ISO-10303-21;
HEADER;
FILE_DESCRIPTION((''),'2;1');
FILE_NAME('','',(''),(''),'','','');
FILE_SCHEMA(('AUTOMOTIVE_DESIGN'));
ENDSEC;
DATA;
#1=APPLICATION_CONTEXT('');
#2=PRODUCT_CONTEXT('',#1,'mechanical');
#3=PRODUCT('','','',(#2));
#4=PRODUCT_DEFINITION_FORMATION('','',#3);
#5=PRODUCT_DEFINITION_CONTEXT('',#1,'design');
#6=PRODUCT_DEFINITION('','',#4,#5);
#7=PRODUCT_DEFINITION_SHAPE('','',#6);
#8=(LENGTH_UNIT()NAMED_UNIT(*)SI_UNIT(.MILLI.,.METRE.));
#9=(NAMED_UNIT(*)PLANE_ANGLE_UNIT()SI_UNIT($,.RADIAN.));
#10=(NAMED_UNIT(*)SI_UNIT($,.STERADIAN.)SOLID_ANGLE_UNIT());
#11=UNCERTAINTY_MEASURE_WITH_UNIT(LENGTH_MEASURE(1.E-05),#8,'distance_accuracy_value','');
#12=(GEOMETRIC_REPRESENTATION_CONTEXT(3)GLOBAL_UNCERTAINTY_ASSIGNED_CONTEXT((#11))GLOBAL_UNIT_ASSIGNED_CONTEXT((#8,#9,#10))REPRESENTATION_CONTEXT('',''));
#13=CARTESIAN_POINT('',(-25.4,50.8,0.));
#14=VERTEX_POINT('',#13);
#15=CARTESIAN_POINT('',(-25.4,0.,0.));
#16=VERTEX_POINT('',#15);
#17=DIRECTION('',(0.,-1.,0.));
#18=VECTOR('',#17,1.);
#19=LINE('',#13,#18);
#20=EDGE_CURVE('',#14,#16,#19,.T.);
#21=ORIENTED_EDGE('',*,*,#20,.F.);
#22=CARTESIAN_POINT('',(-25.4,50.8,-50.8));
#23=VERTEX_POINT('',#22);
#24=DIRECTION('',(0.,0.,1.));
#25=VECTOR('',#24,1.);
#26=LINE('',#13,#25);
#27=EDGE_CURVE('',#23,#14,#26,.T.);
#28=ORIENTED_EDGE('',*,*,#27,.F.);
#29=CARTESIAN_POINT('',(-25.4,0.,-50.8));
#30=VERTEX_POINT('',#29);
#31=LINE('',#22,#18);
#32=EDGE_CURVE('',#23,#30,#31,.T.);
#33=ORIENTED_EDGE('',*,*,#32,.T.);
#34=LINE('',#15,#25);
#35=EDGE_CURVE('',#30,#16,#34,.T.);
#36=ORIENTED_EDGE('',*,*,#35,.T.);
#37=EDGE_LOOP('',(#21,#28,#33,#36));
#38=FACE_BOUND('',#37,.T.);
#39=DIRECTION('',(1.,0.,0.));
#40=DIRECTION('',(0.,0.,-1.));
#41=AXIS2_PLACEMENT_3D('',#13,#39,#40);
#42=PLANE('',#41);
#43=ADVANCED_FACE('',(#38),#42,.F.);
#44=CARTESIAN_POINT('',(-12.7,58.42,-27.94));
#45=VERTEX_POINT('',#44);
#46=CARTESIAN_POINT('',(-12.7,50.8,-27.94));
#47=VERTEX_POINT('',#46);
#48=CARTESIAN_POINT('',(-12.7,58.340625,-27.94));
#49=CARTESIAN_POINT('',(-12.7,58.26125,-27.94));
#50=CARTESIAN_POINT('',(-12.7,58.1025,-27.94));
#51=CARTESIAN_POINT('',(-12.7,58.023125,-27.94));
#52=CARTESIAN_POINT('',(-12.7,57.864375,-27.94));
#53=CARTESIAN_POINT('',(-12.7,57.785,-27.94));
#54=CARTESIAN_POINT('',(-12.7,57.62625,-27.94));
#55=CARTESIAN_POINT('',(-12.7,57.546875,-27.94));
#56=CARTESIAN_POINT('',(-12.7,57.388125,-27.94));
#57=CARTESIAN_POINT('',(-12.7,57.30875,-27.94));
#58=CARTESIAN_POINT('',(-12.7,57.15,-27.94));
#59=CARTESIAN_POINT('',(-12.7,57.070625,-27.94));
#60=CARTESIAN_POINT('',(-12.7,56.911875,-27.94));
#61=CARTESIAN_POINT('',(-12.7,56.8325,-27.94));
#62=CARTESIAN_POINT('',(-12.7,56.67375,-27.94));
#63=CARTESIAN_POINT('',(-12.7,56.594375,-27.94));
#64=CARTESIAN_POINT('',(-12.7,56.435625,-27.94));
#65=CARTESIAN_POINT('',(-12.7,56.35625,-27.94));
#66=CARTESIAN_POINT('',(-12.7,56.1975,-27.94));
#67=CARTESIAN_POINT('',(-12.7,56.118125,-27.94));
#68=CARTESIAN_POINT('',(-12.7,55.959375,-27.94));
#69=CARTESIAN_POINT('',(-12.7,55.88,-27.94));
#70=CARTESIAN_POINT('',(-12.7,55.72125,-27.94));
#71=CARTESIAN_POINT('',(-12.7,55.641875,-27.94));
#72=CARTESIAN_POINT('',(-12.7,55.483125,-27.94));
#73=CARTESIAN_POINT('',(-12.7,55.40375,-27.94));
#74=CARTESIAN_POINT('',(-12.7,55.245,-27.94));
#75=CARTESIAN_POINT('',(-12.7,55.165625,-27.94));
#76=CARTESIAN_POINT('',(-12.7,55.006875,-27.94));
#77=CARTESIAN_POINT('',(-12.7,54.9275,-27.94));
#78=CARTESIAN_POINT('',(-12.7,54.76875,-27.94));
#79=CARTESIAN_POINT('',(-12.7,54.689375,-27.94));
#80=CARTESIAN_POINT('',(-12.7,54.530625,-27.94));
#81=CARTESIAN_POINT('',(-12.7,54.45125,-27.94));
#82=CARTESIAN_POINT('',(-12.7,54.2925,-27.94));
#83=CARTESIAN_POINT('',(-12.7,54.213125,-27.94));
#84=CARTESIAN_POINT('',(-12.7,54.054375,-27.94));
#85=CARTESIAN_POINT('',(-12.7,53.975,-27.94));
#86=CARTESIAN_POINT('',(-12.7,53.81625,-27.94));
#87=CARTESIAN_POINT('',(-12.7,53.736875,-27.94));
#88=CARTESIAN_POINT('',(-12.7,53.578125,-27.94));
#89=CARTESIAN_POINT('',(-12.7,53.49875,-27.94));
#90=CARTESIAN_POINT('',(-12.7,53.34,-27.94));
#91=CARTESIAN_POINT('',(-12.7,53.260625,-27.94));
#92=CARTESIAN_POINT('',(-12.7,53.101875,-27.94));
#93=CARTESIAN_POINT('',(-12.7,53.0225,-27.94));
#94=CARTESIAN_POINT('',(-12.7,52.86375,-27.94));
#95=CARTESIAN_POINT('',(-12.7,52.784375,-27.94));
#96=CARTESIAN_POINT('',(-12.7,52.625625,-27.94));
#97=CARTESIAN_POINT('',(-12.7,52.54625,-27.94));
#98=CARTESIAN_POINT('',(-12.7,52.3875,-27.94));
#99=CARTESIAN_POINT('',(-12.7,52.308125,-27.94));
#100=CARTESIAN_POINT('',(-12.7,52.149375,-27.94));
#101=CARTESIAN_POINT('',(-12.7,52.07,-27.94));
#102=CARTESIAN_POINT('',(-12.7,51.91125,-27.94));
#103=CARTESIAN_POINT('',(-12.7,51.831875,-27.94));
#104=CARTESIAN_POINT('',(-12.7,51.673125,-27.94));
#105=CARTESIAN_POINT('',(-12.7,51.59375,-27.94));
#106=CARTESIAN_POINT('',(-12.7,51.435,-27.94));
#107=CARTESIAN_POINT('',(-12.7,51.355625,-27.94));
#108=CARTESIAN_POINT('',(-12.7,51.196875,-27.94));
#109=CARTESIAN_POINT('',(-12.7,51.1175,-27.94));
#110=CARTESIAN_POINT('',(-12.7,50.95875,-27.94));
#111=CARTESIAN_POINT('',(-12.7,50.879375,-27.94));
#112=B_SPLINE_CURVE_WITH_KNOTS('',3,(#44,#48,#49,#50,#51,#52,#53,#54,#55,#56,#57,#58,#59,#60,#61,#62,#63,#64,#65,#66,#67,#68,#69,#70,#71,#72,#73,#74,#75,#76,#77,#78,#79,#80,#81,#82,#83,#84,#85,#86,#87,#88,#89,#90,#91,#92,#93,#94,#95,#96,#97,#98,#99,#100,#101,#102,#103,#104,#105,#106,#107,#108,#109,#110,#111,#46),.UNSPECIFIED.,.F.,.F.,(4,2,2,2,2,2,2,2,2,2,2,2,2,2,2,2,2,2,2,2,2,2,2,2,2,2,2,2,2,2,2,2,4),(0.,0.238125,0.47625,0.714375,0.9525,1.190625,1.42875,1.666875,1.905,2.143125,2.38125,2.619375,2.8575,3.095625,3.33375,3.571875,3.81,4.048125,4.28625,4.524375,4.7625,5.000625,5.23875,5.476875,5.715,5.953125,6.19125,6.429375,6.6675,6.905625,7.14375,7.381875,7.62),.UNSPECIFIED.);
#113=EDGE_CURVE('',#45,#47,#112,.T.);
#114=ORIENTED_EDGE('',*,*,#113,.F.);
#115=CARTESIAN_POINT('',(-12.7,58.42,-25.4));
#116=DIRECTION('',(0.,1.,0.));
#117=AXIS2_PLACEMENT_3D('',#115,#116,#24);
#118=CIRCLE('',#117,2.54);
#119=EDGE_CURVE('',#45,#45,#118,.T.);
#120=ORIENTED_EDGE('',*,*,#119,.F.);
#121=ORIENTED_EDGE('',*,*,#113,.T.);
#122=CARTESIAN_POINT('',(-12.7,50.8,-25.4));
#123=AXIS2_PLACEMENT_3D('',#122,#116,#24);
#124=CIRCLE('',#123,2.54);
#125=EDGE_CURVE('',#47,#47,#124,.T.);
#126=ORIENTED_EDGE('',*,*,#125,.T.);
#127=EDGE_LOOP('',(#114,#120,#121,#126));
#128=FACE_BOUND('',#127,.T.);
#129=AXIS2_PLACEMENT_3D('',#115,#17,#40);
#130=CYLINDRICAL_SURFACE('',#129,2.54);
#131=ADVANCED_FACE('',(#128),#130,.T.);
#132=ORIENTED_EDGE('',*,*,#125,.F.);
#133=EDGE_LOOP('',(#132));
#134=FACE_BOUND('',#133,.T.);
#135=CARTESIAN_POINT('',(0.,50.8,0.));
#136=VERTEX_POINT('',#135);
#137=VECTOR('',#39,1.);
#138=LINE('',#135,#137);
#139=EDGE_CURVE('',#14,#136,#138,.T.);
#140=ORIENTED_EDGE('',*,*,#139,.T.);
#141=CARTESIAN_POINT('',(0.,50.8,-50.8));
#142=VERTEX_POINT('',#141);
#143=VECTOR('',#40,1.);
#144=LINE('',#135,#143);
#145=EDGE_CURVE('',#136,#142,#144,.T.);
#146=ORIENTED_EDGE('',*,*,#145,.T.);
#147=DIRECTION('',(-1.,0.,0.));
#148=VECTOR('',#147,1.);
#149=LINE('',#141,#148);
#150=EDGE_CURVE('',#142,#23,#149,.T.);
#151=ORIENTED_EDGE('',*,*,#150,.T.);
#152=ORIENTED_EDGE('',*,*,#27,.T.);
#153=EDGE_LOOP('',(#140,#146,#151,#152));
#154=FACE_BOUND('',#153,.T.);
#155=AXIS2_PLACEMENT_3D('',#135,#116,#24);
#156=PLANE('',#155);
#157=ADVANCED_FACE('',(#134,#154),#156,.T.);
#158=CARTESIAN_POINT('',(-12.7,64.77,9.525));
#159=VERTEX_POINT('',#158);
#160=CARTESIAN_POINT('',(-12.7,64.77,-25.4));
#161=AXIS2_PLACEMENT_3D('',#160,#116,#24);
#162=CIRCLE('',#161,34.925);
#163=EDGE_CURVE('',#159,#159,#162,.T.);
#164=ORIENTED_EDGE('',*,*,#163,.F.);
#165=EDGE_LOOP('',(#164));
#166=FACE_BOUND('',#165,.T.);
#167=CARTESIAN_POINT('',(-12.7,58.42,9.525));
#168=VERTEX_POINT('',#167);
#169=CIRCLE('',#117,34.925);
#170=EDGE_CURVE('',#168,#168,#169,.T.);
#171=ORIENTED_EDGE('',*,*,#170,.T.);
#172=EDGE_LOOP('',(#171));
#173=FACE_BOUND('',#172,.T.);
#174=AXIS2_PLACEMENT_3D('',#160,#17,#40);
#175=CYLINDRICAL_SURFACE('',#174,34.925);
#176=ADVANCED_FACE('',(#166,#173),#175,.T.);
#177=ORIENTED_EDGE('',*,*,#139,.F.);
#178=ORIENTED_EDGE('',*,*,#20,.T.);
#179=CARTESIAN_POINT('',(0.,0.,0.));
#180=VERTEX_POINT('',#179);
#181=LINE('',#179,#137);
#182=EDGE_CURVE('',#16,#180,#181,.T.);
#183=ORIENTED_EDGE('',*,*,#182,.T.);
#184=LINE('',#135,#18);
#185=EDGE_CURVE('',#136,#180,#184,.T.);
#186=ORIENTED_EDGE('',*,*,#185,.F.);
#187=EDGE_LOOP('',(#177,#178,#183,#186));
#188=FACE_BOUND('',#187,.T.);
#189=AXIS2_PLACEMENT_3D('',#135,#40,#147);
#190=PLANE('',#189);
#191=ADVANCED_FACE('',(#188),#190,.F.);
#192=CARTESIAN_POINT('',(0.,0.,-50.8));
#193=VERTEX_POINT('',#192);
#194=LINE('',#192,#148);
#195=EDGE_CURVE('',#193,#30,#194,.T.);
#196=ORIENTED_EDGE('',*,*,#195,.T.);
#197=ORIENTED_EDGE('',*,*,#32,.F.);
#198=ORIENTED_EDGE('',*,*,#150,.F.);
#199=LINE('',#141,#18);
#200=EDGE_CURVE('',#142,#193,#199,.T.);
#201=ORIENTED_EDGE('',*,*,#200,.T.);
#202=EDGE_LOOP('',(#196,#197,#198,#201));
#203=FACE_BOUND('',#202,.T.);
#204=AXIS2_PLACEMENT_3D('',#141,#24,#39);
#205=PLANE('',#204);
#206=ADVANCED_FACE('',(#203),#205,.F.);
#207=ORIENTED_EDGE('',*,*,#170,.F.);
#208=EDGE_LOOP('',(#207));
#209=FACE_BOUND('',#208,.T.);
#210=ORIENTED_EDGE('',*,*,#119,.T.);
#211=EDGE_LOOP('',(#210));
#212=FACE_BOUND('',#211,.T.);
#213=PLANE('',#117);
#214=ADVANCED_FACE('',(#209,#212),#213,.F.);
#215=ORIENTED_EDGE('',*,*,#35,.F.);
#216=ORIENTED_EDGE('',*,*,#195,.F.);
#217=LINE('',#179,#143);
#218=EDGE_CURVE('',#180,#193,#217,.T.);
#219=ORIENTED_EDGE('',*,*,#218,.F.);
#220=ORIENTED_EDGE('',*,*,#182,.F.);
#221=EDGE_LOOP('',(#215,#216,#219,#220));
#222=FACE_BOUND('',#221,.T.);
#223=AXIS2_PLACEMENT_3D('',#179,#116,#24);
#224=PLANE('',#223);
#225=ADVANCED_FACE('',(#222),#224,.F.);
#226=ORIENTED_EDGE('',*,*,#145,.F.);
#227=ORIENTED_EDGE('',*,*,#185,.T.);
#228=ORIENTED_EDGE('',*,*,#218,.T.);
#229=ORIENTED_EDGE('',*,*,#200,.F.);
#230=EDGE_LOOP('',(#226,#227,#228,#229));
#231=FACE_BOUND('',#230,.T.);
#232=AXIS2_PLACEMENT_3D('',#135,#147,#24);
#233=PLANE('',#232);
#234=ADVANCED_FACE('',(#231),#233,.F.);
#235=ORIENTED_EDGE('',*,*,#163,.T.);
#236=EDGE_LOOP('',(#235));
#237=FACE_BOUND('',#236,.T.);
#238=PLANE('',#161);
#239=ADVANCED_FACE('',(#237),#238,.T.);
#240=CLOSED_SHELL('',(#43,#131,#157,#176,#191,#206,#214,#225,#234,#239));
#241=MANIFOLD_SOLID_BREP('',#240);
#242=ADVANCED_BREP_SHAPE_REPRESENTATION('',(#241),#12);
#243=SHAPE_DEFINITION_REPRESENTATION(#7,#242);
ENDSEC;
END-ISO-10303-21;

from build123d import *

# Parameters (mm, degrees)
SKETCH1_W           = 25.4
SKETCH1_H           = 50.8
BOSS_EXTRUDE1_DEPTH = 50.8
SKETCH2_R           = 2.54
BOSS_EXTRUDE2_DEPTH = 7.62
SKETCH3_R           = 34.925
BOSS_EXTRUDE3_DEPTH = 6.35


with BuildPart() as part:
    # Sketch1 → Boss-Extrude1 (new body)
    with BuildSketch(Plane(origin=(0, 0, 0), x_dir=(1, 0, 0), z_dir=(0, 1, 0))):
        with Locations((-12.7, 25.4)):
            Rectangle(SKETCH1_W, SKETCH1_H)
    extrude(amount=BOSS_EXTRUDE1_DEPTH)

    # Sketch2 → Boss-Extrude2 (add)
    with BuildSketch(Plane(origin=(0, 50.8, 0), x_dir=(1, 0, 0), z_dir=(0, 1, 0))):
        with Locations(Location((-12.7, 25.4, 0), (0, 0, 90))):
            Circle(SKETCH2_R)
    extrude(amount=BOSS_EXTRUDE2_DEPTH)

    # Sketch3 → Boss-Extrude3 (add)
    with BuildSketch(Plane(origin=(0, 58.42, 0), x_dir=(1, 0, 0), z_dir=(0, 1, 0))):
        with Locations(Location((-12.7, 25.4, 0), (0, 0, 270))):
            Circle(SKETCH3_R)
    extrude(amount=BOSS_EXTRUDE3_DEPTH)


solid = part.part
